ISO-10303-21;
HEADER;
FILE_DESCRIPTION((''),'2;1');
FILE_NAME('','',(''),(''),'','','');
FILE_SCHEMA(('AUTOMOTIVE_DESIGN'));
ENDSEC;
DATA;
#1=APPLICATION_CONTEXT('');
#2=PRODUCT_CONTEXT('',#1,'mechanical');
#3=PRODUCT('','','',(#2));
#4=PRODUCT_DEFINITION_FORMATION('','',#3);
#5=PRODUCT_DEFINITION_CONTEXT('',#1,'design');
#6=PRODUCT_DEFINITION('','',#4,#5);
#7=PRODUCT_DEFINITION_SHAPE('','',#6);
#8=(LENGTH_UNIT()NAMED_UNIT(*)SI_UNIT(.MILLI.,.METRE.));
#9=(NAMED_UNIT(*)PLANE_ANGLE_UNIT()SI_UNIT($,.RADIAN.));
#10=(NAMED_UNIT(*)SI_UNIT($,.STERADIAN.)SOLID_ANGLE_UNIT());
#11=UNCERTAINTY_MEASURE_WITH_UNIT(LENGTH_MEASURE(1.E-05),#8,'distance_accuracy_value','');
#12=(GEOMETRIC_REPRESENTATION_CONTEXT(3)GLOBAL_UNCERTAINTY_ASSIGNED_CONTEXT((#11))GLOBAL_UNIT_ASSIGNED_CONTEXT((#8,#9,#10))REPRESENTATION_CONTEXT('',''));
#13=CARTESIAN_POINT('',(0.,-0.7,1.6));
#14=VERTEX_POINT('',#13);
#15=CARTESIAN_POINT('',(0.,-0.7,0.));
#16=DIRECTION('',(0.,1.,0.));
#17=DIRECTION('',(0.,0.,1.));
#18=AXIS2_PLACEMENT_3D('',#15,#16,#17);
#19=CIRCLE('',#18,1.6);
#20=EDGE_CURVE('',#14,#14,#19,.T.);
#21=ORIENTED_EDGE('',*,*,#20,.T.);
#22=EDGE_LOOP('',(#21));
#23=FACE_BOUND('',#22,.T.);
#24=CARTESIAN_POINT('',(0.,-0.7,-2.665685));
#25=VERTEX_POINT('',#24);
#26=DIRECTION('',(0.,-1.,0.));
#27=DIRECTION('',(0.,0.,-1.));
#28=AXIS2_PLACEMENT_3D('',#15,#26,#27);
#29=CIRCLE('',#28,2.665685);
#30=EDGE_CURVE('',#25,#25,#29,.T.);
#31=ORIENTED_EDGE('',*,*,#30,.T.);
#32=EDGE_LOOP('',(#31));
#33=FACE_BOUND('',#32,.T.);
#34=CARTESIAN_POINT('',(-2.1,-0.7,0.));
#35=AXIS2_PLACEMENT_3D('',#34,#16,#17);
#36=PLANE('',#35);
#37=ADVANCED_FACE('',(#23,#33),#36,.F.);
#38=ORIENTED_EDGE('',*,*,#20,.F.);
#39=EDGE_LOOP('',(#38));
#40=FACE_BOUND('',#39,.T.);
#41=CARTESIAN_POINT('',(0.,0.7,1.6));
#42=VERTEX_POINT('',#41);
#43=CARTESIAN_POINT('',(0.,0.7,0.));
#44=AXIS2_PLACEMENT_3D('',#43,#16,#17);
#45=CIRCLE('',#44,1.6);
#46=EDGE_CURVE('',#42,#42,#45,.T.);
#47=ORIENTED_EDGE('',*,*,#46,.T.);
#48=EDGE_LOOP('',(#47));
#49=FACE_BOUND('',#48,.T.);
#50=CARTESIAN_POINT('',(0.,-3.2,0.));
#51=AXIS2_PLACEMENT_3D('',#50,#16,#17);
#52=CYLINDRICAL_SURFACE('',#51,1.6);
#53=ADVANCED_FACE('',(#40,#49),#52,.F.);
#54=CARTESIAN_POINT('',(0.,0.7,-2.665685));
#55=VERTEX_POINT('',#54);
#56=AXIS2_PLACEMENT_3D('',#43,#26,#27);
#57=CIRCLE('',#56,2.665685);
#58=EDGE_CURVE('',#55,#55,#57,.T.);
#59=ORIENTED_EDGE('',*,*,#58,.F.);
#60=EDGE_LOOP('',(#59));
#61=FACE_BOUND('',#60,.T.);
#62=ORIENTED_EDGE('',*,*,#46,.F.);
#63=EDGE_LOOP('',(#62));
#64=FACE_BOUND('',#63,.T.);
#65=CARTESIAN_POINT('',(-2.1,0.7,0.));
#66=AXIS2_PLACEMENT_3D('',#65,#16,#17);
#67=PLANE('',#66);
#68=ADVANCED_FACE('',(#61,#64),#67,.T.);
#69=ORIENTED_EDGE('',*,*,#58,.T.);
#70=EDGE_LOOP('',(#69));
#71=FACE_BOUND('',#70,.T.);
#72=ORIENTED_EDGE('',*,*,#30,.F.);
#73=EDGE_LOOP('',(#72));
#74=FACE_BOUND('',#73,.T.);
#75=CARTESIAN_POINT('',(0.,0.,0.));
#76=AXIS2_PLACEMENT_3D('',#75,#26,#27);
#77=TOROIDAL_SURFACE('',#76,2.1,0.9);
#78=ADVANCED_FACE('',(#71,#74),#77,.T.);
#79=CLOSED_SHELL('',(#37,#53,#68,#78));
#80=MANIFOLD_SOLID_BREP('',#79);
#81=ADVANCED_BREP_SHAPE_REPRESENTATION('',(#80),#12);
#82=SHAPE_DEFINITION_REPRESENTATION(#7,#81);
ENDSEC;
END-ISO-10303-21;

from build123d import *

# Parameters (mm, degrees)
SKETCH3_R          = 1.6
CUT_EXTRUDE2_DEPTH = 5.2


with BuildPart() as part:
    # Sketch1 → Revolve1 (revolve)
    with BuildSketch(Plane.XY, mode=Mode.PRIVATE) as revolve1_sk:
        with BuildLine():
            Line((-2.1, 0.7), (-1.534314575, 0.7))
            ThreePointArc((-1.534314575, 0.7), (-1.2, 0), (-1.534314575, -0.7))
            Line((-1.534314575, -0.7), (-2.1, -0.7))
            Line((-2.1, -0.7), (-2.665685425, -0.7))
            ThreePointArc((-2.665685425, -0.7), (-3, 0), (-2.665685425, 0.7))
            Line((-2.665685425, 0.7), (-2.1, 0.7))
        make_face()
    revolve(revolve1_sk.sketch.rotate(Axis((0, 0, 0), (0, 1, 0)), 270), axis=Axis((0, 0, 0), (0, 1, 0)))

    # Sketch3 → Cut-Extrude2 (cut)
    with BuildSketch(Plane(origin=(0, 2, 0), x_dir=(1, 0, 0), z_dir=(0, 1, 0))):
        with Locations(Location((0, 0, 0), (0, 0, 270))):
            Circle(SKETCH3_R)
    extrude(amount=-CUT_EXTRUDE2_DEPTH, mode=Mode.SUBTRACT)


solid = part.part
